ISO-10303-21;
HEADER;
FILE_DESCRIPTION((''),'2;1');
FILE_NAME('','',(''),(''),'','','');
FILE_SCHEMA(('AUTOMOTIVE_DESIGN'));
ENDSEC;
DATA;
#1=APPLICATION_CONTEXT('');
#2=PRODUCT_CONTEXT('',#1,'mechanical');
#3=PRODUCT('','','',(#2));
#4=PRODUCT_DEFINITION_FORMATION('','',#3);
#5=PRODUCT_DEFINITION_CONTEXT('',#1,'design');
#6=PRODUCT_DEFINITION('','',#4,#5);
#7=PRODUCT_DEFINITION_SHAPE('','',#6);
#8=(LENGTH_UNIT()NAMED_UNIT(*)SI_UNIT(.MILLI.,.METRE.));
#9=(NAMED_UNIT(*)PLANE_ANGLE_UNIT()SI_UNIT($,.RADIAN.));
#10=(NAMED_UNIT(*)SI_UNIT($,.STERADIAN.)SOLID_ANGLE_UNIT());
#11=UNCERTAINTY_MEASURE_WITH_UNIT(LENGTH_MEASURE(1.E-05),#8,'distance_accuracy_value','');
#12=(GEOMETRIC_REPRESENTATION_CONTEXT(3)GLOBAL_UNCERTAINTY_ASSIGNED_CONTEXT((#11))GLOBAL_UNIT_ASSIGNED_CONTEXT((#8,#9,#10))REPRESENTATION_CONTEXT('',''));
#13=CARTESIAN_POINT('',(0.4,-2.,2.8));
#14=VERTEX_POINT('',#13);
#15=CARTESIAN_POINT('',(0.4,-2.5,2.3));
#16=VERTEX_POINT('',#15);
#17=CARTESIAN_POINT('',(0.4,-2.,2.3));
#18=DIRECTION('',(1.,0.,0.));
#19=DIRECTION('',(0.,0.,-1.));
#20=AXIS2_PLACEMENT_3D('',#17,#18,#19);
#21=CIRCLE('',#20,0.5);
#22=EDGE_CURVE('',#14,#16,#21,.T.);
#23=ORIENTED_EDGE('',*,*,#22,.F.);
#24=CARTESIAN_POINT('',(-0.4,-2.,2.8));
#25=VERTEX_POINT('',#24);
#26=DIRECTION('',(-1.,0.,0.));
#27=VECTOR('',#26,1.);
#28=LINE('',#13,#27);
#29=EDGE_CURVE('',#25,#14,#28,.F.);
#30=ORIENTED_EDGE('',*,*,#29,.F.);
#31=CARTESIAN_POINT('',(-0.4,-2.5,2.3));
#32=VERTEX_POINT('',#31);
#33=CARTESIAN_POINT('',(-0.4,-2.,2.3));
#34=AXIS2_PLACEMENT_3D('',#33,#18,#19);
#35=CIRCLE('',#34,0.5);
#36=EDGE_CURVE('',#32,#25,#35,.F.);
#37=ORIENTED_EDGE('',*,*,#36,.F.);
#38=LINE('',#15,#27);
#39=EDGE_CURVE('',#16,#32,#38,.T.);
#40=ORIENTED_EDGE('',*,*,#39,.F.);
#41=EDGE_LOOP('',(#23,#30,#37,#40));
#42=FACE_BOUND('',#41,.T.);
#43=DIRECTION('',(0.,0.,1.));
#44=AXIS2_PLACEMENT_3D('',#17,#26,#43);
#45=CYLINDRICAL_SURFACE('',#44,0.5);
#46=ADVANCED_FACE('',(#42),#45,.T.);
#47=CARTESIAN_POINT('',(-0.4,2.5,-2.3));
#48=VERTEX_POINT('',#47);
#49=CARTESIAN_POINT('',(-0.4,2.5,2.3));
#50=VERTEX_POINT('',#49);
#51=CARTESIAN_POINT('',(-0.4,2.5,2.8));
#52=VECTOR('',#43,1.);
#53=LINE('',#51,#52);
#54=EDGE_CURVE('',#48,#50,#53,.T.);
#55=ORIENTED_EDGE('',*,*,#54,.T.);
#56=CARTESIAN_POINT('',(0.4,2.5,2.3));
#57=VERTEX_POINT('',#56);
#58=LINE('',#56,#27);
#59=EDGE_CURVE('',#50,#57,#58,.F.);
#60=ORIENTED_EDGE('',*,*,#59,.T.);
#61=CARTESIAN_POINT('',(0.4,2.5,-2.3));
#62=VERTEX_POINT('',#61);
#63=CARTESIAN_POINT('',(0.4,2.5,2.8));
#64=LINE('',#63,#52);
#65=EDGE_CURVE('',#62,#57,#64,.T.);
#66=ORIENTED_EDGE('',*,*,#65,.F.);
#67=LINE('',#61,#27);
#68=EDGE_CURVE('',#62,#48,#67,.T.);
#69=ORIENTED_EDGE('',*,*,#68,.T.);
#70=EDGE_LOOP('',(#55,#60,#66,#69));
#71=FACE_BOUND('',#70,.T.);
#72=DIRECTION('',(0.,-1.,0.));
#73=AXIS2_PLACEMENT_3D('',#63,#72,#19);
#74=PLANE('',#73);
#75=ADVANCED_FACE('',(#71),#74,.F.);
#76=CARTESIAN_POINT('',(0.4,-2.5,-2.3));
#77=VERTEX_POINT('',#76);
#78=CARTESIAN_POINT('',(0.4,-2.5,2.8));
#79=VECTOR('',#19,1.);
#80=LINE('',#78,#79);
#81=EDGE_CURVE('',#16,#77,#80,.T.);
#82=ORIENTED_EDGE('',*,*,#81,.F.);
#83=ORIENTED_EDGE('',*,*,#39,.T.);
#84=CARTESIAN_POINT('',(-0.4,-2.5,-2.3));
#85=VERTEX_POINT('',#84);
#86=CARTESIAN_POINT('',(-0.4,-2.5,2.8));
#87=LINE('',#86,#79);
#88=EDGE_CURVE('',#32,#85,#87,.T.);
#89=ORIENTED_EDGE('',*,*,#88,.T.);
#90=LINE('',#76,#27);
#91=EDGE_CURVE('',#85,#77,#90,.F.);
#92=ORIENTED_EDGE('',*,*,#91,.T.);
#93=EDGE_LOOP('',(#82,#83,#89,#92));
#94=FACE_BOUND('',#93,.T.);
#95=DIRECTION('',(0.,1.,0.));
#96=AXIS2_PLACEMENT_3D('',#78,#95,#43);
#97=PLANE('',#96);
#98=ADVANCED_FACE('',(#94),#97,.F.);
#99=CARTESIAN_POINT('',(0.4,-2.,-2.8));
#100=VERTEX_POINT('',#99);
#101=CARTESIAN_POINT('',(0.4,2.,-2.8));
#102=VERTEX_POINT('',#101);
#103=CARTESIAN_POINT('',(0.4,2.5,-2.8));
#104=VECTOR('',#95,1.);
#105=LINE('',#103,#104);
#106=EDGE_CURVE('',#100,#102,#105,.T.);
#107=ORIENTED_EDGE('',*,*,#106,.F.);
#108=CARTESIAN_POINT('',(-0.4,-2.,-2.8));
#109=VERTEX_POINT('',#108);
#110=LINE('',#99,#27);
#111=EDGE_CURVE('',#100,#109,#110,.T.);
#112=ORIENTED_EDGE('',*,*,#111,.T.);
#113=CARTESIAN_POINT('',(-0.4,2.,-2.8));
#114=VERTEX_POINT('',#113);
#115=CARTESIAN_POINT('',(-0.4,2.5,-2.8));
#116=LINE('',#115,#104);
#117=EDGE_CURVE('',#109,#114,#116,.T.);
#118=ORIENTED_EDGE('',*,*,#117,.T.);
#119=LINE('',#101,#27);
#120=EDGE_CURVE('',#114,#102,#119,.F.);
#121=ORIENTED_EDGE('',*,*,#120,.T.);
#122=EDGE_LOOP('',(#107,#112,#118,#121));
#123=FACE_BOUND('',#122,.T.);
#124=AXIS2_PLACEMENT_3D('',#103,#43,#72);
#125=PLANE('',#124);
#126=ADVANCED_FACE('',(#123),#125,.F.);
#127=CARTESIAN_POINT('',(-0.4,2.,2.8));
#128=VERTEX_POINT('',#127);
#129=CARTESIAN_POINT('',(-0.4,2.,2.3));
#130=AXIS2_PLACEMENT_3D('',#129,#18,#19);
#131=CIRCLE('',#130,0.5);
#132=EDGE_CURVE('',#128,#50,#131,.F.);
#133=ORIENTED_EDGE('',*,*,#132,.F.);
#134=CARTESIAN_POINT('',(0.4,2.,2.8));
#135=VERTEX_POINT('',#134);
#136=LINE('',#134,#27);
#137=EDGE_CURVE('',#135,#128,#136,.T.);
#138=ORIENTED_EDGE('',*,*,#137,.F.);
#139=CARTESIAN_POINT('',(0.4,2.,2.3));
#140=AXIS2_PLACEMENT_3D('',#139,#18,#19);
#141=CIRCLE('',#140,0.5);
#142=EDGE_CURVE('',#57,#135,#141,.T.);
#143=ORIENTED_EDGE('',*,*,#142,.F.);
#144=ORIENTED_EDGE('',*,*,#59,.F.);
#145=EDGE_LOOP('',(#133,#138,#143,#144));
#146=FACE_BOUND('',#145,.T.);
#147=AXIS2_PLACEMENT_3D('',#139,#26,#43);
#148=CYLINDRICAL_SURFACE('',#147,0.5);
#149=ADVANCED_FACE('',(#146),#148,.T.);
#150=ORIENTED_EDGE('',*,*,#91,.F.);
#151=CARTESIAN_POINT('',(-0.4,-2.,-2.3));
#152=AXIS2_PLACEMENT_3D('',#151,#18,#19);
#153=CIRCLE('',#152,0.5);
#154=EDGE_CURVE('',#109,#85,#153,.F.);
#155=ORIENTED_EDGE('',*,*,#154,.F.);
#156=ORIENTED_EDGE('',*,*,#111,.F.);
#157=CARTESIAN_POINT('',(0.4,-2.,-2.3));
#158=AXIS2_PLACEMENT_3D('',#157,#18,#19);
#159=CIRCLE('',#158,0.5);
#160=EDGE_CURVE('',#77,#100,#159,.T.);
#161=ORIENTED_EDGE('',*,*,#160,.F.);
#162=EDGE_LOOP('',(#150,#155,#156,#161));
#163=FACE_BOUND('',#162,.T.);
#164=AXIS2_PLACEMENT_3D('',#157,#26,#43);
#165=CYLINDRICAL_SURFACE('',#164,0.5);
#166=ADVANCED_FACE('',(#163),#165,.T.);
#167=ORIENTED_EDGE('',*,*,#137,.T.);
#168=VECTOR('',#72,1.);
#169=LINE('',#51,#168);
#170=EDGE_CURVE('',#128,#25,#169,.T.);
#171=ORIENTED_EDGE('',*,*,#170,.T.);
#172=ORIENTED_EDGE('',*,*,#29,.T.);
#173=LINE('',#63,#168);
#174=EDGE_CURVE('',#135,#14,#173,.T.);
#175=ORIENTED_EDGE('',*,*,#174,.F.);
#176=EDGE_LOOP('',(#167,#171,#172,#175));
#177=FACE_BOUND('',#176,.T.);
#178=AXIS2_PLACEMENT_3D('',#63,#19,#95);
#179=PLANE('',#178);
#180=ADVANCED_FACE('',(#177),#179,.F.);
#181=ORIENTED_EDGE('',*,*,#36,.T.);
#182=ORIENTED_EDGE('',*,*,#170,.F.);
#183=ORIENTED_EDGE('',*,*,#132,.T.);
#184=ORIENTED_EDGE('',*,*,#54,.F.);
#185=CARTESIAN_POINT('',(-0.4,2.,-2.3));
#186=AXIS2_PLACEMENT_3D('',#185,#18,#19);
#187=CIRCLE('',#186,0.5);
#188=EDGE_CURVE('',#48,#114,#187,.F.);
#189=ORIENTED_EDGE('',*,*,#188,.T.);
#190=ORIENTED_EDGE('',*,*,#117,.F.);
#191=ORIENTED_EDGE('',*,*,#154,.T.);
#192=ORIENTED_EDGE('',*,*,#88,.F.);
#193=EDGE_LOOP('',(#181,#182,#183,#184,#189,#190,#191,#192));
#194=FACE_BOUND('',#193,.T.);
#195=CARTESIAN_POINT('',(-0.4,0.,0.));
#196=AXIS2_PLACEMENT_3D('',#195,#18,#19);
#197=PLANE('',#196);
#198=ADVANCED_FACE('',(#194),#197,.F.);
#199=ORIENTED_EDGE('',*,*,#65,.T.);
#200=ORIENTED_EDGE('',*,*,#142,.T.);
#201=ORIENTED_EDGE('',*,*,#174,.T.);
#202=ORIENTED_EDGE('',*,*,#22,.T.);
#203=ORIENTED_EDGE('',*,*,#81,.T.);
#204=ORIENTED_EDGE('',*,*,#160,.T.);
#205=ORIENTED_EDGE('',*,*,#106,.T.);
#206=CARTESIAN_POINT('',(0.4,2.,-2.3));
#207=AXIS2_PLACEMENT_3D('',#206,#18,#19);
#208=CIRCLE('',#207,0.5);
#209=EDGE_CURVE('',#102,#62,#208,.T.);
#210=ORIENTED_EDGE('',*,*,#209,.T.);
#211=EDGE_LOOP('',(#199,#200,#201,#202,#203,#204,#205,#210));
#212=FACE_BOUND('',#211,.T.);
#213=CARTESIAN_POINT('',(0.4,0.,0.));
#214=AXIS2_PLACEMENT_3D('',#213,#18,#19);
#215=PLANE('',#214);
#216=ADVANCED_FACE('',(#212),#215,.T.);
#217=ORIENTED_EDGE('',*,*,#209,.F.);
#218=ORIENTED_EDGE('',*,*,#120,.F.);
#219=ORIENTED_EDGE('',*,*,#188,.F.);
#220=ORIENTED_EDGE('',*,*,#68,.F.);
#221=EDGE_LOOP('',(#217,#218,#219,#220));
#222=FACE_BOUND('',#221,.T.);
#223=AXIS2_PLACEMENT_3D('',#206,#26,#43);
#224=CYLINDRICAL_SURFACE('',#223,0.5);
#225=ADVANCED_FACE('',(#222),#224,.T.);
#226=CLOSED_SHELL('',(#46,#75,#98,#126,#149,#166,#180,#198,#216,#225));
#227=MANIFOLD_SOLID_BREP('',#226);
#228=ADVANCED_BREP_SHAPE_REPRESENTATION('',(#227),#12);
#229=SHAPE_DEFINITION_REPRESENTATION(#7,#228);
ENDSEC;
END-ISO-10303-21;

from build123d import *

# Parameters (mm, degrees)
BASES_W    = 5.6
BASES_H    = 5
BASE_DEPTH = 0.4
BASEF_R    = 0.5


with BuildPart() as part:
    # BaseS → Base (new, symmetric)
    with BuildSketch(Plane(origin=(0, 0, 0), x_dir=(0, 0, -1), z_dir=(1, 0, 0))):
        Rectangle(BASES_W, BASES_H)
    extrude(amount=BASE_DEPTH, both=True)

    # BaseF
    basef_edges = [part.edges().sort_by_distance(p)[0] for p in [
        (0, -2.5, -2.8),
        (0, -2.5, 2.8),
        (0, 2.5, 2.8),
        (0, 2.5, -2.8),
    ]]
    fillet(basef_edges, radius=BASEF_R)


solid = part.part
